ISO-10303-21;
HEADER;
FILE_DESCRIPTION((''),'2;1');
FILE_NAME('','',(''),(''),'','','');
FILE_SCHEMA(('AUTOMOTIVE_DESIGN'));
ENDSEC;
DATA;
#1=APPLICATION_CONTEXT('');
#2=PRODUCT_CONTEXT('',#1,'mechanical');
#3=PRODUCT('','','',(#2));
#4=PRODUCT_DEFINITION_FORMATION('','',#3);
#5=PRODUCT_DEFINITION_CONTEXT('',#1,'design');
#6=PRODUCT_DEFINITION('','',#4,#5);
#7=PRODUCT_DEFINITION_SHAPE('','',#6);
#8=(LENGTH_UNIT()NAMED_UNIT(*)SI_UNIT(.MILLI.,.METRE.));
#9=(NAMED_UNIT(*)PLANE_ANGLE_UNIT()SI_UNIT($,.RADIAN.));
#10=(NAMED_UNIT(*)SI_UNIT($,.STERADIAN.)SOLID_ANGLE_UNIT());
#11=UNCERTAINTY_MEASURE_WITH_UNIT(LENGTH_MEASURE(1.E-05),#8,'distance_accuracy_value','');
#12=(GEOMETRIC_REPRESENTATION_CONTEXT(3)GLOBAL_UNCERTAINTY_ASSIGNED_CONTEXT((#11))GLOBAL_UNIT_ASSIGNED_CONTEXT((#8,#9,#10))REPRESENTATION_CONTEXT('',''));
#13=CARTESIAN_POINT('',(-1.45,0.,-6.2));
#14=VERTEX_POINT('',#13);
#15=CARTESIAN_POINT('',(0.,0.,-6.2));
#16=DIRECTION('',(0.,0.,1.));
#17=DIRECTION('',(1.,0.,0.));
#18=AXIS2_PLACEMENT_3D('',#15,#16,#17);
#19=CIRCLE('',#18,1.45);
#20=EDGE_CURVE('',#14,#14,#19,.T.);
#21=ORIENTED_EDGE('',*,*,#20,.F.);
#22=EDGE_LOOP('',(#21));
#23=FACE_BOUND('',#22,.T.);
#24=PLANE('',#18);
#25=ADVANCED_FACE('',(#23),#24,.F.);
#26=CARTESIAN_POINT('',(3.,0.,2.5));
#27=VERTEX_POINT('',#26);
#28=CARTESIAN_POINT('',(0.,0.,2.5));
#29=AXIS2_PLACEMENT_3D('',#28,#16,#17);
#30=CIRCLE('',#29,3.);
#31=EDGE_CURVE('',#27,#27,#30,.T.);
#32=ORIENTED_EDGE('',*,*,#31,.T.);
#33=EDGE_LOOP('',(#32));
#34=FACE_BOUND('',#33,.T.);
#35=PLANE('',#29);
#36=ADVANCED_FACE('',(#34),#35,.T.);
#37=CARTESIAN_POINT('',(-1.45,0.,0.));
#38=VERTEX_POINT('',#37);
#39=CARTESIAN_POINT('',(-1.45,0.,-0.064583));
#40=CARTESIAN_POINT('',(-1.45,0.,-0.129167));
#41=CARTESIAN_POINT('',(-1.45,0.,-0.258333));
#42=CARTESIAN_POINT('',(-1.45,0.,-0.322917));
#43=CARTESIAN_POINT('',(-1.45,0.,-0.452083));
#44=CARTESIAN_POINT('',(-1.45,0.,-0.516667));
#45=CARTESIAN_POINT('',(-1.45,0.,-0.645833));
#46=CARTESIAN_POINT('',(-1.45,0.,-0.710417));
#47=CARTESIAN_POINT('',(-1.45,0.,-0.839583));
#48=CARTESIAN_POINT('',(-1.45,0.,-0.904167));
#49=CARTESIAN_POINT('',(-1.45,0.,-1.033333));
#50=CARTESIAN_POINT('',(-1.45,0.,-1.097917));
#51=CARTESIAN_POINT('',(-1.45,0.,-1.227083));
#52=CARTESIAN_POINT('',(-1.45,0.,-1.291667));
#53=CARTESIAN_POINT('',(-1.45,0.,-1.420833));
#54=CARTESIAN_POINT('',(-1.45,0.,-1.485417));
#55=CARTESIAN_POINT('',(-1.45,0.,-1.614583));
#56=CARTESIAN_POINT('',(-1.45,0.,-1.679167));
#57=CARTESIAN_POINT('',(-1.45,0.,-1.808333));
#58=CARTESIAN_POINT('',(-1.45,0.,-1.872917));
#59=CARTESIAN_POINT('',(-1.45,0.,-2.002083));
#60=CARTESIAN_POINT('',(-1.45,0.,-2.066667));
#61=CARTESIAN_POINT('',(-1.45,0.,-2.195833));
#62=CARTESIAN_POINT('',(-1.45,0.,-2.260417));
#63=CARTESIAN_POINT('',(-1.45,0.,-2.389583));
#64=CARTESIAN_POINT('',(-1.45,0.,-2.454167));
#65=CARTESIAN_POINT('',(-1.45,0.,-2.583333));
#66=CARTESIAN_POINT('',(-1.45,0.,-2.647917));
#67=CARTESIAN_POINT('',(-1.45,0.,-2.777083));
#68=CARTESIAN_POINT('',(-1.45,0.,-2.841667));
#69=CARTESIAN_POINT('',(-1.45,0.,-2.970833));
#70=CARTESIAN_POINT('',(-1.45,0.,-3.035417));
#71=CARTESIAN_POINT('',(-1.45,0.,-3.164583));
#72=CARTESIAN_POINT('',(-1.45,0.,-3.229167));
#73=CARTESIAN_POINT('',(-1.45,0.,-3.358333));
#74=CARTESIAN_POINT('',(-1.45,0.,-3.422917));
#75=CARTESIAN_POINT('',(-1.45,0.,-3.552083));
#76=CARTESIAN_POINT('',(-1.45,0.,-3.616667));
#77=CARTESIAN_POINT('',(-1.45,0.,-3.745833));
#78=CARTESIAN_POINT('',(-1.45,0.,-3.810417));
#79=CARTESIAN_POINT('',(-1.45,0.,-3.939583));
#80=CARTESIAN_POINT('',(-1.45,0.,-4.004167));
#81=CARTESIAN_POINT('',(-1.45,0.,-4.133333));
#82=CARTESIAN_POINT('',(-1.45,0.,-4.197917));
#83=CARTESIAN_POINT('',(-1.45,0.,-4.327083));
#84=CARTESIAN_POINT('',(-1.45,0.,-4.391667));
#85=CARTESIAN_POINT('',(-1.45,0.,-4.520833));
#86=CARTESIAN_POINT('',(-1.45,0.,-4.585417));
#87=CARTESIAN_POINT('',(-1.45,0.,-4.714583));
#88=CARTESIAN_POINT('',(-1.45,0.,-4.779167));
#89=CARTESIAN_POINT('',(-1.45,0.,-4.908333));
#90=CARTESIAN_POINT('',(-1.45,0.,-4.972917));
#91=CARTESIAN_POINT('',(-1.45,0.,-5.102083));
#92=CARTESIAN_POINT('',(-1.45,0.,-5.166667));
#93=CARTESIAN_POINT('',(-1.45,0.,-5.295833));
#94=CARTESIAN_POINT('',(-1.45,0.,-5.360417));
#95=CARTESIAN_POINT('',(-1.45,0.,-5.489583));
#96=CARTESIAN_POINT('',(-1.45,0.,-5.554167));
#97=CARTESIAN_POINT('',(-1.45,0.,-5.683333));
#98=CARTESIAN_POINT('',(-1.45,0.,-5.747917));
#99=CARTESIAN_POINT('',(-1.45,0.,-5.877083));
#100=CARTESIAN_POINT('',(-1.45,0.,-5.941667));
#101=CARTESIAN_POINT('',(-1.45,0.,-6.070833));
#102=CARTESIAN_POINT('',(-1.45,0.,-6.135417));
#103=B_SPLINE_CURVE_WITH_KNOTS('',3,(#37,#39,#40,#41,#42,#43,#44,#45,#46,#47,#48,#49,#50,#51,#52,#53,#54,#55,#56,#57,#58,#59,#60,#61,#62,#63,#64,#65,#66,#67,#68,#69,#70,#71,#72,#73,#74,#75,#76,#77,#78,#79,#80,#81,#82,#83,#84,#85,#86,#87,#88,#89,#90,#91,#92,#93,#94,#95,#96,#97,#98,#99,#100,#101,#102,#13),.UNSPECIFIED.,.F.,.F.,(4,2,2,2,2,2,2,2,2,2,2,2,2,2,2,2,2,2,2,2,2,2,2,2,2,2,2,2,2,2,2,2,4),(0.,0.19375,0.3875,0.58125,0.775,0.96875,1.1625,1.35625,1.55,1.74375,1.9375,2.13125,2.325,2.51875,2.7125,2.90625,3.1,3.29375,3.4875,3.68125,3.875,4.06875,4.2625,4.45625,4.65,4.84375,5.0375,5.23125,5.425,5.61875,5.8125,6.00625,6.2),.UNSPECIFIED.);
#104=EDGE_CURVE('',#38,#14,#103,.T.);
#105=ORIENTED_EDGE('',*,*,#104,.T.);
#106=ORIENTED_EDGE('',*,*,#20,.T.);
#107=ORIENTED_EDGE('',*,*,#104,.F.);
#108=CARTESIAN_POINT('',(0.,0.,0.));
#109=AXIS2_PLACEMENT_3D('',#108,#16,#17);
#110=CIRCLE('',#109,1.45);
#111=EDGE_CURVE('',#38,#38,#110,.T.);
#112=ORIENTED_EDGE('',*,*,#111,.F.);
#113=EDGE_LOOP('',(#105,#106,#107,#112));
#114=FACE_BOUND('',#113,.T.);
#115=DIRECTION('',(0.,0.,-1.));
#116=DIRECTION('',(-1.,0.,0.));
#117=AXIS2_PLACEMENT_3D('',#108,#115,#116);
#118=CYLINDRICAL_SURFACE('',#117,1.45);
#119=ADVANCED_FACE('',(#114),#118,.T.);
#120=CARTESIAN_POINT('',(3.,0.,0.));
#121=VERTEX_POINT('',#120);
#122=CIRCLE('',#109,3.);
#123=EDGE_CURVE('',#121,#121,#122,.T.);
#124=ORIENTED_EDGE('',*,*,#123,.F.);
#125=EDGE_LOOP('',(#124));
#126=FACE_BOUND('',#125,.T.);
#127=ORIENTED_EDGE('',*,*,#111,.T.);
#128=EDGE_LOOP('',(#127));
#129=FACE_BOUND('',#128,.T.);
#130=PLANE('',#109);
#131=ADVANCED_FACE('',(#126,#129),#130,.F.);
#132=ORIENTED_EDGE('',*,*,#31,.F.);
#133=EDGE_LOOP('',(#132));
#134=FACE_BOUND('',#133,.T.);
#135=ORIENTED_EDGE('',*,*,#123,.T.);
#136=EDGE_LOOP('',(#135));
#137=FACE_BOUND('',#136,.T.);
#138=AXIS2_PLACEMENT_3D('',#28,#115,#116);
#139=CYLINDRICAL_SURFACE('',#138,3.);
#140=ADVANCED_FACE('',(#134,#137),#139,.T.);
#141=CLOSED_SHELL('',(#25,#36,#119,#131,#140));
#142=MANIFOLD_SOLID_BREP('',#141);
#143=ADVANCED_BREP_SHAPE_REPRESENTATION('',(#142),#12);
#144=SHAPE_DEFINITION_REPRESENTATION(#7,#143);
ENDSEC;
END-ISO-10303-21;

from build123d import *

# Parameters (mm, degrees)
SKETCH1_R           = 3
BOSS_EXTRUDE1_DEPTH = 2.5
BOSS_EXTRUDE2_START = -6.2
SKETCH2_R           = 1.45
BOSS_EXTRUDE2_DEPTH = 6.2


with BuildPart() as part:
    # Sketch1 → Boss-Extrude1 (new body)
    with BuildSketch(Plane.XY):
        Circle(SKETCH1_R)
    extrude(amount=BOSS_EXTRUDE1_DEPTH)

    # Sketch2 → Boss-Extrude2 (add)
    with BuildSketch(Plane.XY.offset(BOSS_EXTRUDE2_START)):
        with Locations(Location((0, 0, 0), (0, 0, 180))):
            Circle(SKETCH2_R)
    extrude(amount=BOSS_EXTRUDE2_DEPTH)


solid = part.part
